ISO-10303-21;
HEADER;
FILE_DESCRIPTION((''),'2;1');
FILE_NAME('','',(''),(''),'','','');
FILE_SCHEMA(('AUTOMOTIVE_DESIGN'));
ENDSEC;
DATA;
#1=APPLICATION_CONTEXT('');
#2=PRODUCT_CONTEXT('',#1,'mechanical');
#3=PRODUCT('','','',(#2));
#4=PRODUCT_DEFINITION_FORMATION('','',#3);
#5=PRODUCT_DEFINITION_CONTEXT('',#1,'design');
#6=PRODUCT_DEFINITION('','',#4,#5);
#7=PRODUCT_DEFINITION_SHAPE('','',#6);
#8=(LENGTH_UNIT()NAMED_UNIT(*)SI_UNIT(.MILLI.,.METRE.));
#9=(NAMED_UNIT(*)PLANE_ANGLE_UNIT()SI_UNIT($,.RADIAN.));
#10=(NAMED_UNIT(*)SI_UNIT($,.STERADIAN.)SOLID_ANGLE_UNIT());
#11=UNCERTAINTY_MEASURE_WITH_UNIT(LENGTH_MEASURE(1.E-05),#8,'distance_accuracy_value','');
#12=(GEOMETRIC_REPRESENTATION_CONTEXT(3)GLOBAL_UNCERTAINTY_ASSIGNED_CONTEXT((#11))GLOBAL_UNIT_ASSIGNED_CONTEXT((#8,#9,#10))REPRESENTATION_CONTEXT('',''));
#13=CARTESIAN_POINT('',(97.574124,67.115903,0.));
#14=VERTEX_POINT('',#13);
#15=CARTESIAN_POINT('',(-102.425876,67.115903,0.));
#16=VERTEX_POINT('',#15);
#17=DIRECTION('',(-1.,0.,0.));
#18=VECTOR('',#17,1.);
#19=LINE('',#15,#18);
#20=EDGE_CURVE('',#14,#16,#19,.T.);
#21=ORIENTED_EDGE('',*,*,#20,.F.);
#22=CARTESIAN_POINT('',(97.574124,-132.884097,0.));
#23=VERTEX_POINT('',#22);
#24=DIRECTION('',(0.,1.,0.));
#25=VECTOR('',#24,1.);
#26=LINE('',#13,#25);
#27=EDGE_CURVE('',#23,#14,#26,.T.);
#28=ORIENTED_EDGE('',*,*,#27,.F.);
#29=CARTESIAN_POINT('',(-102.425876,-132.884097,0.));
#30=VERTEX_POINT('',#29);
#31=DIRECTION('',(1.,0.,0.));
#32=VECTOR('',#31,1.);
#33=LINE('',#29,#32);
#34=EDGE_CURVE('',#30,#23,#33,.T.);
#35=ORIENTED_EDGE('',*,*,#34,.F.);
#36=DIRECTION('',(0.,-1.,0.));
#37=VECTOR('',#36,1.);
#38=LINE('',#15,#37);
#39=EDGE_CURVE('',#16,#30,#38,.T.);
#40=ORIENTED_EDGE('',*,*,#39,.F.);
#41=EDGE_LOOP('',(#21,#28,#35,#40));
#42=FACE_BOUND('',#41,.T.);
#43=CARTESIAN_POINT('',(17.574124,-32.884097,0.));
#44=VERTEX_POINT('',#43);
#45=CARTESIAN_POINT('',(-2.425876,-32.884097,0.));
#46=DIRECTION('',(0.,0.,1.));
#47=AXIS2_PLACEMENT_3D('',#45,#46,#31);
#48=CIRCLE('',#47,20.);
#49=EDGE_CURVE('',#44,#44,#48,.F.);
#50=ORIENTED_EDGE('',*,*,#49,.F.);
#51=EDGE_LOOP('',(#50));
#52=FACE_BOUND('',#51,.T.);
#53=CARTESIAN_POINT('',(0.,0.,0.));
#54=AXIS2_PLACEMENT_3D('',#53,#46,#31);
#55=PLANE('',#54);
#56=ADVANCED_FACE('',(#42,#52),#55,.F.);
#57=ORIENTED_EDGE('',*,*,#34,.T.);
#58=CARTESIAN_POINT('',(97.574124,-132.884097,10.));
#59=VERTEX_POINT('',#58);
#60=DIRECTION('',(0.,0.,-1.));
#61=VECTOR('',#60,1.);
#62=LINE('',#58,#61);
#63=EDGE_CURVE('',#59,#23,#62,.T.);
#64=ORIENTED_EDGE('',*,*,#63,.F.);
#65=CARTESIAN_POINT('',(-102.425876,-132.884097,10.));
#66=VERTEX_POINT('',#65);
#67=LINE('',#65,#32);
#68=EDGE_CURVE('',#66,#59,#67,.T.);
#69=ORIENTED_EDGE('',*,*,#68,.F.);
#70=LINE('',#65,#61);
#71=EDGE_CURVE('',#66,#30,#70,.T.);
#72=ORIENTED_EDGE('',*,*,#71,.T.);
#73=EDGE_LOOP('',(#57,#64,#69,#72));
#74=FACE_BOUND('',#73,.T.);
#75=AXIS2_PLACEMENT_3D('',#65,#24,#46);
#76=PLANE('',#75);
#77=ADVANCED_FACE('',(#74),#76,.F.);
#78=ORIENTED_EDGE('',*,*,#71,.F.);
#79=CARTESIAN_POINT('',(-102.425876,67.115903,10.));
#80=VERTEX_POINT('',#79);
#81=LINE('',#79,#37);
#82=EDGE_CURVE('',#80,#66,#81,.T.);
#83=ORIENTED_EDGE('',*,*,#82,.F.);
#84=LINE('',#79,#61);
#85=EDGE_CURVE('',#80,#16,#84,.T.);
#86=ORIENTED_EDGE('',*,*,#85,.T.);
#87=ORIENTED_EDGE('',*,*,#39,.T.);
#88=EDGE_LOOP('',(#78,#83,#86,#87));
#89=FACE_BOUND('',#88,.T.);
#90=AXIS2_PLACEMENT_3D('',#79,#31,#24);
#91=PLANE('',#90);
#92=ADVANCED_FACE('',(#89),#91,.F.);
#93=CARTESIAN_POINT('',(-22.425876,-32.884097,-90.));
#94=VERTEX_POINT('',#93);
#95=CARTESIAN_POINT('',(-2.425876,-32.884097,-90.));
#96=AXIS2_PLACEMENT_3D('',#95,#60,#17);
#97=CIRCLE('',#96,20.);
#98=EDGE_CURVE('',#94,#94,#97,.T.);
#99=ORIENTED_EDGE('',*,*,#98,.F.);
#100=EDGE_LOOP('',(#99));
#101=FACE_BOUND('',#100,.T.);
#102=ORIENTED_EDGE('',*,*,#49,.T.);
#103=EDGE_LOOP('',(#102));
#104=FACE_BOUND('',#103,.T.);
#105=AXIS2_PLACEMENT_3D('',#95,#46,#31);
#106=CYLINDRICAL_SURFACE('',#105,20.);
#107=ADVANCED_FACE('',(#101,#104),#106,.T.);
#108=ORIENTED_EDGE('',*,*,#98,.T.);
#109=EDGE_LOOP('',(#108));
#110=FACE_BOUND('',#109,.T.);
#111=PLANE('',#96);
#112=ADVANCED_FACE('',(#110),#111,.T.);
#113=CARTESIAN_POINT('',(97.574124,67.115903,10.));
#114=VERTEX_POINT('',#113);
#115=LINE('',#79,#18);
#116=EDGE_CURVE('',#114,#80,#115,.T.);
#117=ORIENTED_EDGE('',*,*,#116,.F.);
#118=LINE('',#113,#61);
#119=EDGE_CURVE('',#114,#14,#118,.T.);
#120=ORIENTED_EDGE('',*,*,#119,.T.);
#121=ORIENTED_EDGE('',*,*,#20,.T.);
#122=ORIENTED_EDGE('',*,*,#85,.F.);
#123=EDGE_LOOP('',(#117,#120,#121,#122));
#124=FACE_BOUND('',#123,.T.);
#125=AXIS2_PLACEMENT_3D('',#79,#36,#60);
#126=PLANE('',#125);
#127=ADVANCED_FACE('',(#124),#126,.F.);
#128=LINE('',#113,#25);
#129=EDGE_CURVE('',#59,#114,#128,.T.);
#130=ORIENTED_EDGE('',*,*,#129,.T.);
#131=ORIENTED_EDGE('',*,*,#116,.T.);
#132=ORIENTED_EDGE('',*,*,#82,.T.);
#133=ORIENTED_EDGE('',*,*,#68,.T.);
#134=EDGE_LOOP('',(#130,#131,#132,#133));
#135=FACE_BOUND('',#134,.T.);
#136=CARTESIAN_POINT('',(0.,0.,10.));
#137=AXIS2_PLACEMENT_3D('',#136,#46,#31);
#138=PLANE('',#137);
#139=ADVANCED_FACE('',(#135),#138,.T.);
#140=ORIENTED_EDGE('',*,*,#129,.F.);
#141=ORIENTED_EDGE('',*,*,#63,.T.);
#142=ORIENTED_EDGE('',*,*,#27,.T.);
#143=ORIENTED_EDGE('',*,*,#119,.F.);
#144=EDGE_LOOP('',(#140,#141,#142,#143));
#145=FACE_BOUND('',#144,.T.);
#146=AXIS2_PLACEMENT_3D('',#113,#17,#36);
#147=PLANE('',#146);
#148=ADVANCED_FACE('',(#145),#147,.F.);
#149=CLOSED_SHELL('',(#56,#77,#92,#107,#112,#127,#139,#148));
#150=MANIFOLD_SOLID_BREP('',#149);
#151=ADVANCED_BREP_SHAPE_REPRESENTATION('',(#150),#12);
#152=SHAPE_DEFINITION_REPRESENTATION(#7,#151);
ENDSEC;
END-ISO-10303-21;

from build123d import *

# Parameters (mm, degrees)
SKETCH1_W           = 200
SKETCH1_H           = 200
BOSS_EXTRUDE1_DEPTH = 10
SKETCH2_R           = 20
BOSS_EXTRUDE2_DEPTH = 90


with BuildPart() as part:
    # Sketch1 → Boss-Extrude1 (new body)
    with BuildSketch(Plane.XY):
        with Locations((-2.425876011, -32.884097035)):
            Rectangle(SKETCH1_W, SKETCH1_H)
    extrude(amount=BOSS_EXTRUDE1_DEPTH)

    # Sketch2 → Boss-Extrude2 (add)
    with BuildSketch(Plane(origin=(0, 0, 0), x_dir=(-1, 0, 0), z_dir=(0, 0, -1))):
        with Locations((2.425876011, -32.884097035)):
            Circle(SKETCH2_R)
    extrude(amount=BOSS_EXTRUDE2_DEPTH)


solid = part.part
